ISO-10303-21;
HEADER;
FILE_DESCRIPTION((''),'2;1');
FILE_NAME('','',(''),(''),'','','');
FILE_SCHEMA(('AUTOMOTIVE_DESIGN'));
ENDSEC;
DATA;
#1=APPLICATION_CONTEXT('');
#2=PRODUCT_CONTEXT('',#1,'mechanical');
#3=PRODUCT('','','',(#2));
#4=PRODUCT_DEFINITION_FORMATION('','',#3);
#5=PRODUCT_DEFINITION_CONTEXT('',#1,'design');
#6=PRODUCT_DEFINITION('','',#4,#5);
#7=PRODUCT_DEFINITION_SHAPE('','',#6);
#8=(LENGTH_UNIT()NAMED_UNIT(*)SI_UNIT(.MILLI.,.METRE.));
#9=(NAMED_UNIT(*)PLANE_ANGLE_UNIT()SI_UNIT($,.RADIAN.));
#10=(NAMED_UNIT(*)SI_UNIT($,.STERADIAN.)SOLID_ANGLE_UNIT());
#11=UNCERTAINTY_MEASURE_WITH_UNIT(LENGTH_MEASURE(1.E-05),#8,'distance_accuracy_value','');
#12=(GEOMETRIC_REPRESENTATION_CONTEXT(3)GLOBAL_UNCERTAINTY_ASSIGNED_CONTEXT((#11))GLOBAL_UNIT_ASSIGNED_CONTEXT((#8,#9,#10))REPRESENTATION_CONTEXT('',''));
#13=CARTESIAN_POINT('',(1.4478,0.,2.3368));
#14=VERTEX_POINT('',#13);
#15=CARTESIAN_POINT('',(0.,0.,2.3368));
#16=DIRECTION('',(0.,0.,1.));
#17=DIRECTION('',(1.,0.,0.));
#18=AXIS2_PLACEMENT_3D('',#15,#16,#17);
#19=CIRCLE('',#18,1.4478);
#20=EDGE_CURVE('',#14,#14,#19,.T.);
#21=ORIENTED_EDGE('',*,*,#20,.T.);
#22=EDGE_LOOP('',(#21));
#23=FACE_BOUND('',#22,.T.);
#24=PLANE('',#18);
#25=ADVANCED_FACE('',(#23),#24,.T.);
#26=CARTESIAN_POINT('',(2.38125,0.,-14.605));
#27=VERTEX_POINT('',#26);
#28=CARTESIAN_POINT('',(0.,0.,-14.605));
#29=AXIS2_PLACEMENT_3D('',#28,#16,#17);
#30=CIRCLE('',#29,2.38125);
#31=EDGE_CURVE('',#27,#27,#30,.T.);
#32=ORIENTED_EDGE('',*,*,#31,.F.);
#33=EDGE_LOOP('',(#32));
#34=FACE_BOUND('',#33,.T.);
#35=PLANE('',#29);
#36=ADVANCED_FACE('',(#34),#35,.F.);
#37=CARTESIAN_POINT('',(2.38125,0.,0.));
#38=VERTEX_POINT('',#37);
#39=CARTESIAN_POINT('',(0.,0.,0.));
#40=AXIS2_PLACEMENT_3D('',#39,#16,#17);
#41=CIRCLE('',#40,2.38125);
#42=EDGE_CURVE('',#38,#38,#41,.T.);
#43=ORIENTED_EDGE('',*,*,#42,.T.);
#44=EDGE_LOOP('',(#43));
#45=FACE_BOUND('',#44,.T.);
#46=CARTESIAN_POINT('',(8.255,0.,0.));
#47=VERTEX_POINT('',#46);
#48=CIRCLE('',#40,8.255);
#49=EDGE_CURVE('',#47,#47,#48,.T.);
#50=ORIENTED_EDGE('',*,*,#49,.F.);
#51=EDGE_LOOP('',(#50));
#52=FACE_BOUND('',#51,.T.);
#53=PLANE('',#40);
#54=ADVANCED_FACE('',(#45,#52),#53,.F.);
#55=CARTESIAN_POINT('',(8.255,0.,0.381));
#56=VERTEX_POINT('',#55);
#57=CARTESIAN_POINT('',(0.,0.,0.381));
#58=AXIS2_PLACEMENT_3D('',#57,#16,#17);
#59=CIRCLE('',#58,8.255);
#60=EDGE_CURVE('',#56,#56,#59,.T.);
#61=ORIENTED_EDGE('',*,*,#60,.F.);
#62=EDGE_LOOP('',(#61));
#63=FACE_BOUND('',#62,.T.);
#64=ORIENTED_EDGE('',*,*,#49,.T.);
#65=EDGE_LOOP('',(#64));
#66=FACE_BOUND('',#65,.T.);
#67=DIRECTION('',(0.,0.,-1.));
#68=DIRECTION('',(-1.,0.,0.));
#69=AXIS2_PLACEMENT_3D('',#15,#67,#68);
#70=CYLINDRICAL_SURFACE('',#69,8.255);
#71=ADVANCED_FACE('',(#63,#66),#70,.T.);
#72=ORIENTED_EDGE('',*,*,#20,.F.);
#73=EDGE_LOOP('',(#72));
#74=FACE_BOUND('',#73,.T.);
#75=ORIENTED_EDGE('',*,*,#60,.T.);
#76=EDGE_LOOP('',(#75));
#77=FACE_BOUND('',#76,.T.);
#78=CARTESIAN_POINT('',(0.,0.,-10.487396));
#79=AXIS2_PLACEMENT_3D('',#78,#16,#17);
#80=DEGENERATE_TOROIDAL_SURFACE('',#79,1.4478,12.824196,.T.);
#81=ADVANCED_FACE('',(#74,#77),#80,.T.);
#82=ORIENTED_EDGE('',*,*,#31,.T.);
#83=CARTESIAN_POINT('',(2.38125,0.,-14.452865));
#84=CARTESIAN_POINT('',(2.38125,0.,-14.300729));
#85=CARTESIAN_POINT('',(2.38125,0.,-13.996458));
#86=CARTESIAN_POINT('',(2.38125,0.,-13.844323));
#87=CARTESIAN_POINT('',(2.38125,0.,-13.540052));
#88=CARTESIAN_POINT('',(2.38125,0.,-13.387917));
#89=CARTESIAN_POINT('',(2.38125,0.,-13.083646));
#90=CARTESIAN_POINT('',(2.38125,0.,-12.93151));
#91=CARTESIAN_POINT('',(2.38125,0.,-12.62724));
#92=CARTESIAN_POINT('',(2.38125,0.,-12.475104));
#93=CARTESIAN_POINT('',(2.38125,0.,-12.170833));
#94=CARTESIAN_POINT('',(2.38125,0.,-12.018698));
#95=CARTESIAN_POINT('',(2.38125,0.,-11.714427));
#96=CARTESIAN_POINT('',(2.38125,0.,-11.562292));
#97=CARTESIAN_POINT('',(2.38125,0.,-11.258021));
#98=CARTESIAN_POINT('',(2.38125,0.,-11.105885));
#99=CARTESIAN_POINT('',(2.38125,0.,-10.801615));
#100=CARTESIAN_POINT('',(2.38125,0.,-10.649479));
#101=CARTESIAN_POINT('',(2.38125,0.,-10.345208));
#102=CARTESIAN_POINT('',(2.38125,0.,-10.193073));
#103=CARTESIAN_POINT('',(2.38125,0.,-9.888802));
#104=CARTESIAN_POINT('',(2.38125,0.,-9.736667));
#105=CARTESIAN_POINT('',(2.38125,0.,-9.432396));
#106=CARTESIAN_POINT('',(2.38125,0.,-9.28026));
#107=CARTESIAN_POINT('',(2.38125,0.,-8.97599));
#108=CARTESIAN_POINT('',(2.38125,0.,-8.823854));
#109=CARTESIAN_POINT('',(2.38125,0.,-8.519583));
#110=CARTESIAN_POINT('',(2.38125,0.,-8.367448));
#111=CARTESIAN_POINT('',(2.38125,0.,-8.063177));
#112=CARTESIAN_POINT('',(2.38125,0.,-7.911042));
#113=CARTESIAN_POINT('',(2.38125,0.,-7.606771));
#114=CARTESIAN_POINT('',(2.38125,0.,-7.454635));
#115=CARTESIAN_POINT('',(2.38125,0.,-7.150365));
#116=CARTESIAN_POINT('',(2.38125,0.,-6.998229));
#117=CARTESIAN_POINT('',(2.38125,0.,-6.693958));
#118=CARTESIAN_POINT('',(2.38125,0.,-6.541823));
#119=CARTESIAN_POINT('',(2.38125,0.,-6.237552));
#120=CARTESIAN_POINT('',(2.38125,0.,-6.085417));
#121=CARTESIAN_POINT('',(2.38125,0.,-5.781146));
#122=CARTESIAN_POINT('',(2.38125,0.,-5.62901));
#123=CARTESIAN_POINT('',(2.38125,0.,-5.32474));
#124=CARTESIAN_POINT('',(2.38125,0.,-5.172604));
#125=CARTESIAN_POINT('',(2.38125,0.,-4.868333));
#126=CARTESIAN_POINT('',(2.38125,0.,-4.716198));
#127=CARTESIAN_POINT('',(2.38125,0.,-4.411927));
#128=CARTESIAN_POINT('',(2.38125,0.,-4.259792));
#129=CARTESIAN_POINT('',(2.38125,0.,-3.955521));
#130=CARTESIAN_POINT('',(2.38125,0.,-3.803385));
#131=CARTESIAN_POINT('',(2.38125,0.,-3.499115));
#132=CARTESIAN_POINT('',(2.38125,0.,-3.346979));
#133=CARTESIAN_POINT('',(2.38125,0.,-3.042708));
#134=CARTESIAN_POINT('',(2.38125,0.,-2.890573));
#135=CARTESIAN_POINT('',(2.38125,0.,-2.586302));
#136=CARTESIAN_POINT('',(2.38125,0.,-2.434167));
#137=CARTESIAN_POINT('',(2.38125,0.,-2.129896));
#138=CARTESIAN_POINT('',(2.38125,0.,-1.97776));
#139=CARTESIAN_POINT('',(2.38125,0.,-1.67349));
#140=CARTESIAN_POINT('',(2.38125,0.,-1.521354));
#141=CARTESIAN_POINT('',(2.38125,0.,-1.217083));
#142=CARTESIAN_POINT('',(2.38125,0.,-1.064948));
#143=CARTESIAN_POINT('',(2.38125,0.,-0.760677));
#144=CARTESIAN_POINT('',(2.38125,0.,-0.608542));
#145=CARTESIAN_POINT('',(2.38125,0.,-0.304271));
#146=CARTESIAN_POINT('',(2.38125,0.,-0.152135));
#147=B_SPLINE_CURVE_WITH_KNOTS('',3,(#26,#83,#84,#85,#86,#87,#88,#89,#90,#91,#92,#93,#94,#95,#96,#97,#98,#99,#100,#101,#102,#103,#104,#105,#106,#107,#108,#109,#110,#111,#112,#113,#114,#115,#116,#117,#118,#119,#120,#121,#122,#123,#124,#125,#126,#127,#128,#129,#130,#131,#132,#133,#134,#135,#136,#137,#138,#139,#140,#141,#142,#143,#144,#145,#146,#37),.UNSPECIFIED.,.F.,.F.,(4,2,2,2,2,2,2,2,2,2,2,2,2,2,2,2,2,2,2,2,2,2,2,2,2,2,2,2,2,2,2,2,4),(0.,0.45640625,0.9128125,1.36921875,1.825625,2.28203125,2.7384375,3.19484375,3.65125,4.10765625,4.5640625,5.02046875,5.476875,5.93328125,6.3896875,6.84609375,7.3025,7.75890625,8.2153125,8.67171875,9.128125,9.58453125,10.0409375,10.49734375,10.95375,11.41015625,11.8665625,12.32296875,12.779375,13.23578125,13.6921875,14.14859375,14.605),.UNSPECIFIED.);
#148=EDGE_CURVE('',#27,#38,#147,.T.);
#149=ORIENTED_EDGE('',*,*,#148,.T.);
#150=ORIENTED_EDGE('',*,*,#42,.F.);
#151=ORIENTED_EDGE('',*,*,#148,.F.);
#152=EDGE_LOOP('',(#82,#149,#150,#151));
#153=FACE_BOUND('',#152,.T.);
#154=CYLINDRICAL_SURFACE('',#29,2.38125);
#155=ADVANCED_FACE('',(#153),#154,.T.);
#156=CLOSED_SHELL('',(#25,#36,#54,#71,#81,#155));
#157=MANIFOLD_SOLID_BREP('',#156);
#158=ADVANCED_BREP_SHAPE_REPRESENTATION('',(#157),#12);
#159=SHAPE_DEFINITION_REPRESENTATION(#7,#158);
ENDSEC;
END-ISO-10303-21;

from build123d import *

# Parameters (mm, degrees)
SKETCH1_R           = 8.255
BOSS_EXTRUDE1_DEPTH = 2.3368
SKETCH2_R           = 2.38125
BOSS_EXTRUDE2_DEPTH = 14.605


with BuildPart() as part:
    # Sketch1 → Boss-Extrude1 (new body)
    with BuildSketch(Plane.XY):
        Circle(SKETCH1_R)
    extrude(amount=BOSS_EXTRUDE1_DEPTH)

    # Sketch2 → Boss-Extrude2 (add)
    with BuildSketch(Plane.XY):
        Circle(SKETCH2_R)
    extrude(amount=-BOSS_EXTRUDE2_DEPTH)

    # Sketch3 → Cut-Revolve1 (revolve, cut)
    with BuildSketch(Plane(origin=(0, 0, 0), x_dir=(1, 0, 0), z_dir=(0, 1, 0))):
        with BuildLine():
            ThreePointArc((1.4478, -2.3368), (4.989096566, -1.838155581), (8.255, -0.381))
            Line((8.255, -0.381), (8.255, -2.3368))
            Line((8.255, -2.3368), (1.4478, -2.3368))
        make_face()
    revolve(axis=Axis((0, 0, 2.3368), (0, 0, -1)), mode=Mode.SUBTRACT)


solid = part.part
